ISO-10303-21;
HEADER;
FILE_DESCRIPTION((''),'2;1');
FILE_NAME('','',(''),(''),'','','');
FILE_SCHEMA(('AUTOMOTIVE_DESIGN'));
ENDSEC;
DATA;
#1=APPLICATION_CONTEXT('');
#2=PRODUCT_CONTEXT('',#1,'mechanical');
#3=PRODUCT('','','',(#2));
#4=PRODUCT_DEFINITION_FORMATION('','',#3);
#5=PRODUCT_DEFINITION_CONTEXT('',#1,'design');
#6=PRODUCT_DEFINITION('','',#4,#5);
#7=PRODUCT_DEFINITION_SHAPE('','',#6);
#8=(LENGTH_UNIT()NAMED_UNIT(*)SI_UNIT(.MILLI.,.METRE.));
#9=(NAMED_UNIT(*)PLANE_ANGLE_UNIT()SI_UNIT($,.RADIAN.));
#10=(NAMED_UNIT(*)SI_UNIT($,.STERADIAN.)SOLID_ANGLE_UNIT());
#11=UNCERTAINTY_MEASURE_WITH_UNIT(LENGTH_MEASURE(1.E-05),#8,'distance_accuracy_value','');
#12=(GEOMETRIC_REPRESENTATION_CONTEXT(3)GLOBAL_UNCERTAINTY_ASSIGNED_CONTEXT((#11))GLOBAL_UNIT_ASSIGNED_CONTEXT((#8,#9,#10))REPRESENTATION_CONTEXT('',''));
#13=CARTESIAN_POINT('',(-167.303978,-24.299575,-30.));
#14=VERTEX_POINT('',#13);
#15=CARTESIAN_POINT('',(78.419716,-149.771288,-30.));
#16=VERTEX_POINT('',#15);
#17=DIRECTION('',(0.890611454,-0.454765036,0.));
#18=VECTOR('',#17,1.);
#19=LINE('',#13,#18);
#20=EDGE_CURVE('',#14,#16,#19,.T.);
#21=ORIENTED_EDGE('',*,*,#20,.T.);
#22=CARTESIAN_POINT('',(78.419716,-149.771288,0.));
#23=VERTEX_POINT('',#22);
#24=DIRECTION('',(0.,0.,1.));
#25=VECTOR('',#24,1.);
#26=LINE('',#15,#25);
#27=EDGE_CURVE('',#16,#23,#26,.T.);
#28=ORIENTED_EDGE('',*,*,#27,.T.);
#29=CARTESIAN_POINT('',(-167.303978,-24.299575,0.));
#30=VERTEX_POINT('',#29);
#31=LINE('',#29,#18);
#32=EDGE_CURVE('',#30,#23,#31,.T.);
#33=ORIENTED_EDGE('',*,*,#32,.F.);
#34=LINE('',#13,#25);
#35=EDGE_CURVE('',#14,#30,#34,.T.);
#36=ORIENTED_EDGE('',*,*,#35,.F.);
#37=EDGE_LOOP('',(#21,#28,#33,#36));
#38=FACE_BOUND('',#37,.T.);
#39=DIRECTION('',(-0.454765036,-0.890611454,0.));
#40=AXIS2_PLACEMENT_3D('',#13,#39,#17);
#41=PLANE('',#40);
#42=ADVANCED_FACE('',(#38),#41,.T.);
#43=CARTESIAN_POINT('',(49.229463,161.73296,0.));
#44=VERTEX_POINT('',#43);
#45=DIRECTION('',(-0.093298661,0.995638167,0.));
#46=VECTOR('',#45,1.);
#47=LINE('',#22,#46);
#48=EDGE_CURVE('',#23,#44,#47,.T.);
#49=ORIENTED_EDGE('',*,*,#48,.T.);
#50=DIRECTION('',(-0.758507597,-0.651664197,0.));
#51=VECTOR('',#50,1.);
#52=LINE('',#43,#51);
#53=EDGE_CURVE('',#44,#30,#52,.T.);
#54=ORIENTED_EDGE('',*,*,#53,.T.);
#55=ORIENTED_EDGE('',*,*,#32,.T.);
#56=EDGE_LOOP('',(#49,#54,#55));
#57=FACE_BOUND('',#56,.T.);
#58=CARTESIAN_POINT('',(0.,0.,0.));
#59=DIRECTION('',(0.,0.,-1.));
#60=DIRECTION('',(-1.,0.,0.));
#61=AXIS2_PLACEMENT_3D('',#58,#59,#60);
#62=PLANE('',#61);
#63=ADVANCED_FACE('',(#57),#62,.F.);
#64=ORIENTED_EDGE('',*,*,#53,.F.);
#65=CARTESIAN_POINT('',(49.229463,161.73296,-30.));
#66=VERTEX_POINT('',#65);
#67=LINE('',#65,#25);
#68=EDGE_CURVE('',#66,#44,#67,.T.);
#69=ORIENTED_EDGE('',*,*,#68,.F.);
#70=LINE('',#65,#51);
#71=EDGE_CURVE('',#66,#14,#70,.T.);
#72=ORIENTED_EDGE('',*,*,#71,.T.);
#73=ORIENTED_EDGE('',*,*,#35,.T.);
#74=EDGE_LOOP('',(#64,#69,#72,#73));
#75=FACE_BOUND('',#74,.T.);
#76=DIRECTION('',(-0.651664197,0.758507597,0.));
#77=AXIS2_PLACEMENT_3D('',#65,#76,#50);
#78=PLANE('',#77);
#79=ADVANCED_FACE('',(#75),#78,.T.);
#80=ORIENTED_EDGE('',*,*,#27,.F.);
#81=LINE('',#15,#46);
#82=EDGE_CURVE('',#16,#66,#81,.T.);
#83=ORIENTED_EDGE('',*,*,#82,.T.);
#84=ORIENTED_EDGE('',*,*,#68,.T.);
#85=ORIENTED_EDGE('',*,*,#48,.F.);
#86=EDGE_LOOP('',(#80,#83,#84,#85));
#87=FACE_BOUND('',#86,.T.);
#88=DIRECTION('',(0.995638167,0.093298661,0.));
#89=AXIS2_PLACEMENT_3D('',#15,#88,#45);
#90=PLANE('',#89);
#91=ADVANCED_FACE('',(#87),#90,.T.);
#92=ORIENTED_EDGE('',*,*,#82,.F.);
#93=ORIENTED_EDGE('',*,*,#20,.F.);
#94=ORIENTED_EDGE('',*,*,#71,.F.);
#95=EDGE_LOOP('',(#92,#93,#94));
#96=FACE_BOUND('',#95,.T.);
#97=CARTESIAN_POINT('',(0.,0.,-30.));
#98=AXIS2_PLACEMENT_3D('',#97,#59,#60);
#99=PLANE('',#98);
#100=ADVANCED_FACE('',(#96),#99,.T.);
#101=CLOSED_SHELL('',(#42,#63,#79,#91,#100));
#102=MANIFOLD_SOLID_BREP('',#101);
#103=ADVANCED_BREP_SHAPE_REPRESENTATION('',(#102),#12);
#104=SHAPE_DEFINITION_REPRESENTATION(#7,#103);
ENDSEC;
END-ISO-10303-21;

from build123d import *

# Parameters (mm, degrees)
BOSS_EXTRUDE1_DEPTH = 30


with BuildPart() as part:
    # Sketch1 → Boss-Extrude1 (new body)
    with BuildSketch(Plane.XY):
        Polygon((78.419715643, -149.771287902), (49.229463405, 161.732960197), (-167.303978224, -24.299575135), align=None)
    extrude(amount=-BOSS_EXTRUDE1_DEPTH)


solid = part.part
